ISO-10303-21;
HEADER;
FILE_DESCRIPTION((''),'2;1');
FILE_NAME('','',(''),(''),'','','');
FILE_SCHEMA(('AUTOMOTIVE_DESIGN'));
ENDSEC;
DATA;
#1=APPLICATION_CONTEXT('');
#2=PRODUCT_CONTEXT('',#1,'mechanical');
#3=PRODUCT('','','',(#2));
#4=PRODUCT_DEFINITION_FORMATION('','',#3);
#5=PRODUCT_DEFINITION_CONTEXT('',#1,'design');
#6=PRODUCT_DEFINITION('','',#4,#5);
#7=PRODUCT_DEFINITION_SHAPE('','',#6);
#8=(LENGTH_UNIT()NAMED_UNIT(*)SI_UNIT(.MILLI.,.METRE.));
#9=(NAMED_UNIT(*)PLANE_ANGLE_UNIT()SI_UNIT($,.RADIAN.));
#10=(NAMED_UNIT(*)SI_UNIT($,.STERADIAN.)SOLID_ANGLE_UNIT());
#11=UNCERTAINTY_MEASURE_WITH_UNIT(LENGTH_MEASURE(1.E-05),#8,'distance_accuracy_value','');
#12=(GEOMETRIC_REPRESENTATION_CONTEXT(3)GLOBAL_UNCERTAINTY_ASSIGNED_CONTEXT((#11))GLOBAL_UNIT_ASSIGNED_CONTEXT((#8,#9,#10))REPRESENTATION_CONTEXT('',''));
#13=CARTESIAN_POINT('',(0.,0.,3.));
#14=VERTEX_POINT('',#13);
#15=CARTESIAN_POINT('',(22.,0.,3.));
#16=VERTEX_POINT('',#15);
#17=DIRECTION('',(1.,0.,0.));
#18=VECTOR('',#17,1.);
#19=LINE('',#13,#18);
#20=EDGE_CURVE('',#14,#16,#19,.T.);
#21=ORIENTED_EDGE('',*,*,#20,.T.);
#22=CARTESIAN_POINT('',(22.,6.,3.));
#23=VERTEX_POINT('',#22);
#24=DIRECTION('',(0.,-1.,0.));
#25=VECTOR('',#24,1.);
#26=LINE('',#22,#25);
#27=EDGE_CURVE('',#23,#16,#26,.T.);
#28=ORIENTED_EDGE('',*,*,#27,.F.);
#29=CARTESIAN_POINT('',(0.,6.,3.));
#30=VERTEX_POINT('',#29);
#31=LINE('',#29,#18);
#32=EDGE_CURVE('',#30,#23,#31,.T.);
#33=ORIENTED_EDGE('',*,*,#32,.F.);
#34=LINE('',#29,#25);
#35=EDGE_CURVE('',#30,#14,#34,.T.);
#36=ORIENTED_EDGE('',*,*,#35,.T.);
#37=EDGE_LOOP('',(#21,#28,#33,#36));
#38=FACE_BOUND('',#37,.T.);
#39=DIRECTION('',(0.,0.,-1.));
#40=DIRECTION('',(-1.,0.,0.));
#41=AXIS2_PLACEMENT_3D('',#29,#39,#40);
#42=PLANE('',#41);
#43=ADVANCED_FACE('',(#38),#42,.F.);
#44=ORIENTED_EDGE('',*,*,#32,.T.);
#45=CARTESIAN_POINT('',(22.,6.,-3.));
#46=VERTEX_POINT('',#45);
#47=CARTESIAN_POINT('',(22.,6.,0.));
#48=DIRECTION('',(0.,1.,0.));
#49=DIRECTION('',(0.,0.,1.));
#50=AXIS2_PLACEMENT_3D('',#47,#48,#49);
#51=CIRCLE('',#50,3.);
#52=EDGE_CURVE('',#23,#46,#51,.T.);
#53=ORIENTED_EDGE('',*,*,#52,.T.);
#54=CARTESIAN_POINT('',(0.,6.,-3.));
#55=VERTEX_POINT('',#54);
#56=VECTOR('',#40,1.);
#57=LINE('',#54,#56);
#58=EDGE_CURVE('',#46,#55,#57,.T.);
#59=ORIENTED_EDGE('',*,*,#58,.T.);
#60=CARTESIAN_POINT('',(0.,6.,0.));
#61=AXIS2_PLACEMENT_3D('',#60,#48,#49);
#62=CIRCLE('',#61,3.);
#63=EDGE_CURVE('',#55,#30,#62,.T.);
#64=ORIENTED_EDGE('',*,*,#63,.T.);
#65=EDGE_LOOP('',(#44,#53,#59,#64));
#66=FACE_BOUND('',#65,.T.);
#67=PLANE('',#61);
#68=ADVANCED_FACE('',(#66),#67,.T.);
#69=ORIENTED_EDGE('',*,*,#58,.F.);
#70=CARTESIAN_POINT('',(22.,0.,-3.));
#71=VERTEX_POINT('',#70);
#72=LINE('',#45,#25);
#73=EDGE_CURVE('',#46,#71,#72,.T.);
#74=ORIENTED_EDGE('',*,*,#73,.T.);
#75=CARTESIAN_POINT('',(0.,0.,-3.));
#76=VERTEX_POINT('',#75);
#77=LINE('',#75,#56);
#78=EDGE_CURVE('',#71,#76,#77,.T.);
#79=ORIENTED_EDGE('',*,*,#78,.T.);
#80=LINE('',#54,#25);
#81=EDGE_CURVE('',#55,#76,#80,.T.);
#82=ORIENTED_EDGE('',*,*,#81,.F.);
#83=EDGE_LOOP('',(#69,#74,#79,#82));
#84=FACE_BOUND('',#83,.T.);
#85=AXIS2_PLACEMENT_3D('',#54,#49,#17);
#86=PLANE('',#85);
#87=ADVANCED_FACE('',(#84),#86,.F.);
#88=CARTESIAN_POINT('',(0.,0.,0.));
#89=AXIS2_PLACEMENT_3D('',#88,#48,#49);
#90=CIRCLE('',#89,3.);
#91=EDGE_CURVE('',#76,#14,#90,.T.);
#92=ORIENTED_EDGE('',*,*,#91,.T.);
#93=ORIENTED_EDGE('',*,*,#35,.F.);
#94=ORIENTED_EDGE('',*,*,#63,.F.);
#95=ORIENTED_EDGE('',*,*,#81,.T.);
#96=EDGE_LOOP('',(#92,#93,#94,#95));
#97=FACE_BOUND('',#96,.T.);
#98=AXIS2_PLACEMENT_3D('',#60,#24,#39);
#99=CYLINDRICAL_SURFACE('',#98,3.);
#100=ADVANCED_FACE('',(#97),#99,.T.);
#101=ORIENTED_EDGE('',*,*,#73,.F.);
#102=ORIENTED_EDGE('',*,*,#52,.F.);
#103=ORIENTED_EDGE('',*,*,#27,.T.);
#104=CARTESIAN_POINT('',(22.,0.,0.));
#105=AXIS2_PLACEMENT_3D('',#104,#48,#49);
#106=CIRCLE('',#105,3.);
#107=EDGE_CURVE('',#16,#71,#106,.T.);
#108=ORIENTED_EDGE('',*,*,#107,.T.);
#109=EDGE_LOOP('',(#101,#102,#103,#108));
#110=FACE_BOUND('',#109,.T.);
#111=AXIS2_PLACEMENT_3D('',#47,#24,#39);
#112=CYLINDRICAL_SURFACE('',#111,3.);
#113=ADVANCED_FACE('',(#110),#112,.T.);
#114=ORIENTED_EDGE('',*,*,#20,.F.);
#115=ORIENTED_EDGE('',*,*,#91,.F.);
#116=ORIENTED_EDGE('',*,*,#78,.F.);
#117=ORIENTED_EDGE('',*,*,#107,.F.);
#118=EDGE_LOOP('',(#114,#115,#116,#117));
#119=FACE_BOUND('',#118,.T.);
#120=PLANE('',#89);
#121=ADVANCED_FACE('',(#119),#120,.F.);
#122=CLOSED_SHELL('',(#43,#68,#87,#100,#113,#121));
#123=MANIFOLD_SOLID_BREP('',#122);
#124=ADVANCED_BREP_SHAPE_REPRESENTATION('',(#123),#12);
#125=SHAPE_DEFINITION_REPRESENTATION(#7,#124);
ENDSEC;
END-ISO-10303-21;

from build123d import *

# Parameters (mm, degrees)
EXTRUDE_1_DEPTH = 6


with BuildPart() as part:
    # Эскиз1 → Бобышка-Вытянуть1 (new body)
    with BuildSketch(Plane(origin=(0, 0, 0), x_dir=(1, 0, 0), z_dir=(0, 1, 0))):
        with BuildLine():
            Line((0, 3), (22, 3))
            ThreePointArc((22, 3), (25, 0), (22, -3))
            Line((22, -3), (0, -3))
            ThreePointArc((0, -3), (-3, 0), (0, 3))
        make_face()
    extrude(amount=EXTRUDE_1_DEPTH)


solid = part.part
